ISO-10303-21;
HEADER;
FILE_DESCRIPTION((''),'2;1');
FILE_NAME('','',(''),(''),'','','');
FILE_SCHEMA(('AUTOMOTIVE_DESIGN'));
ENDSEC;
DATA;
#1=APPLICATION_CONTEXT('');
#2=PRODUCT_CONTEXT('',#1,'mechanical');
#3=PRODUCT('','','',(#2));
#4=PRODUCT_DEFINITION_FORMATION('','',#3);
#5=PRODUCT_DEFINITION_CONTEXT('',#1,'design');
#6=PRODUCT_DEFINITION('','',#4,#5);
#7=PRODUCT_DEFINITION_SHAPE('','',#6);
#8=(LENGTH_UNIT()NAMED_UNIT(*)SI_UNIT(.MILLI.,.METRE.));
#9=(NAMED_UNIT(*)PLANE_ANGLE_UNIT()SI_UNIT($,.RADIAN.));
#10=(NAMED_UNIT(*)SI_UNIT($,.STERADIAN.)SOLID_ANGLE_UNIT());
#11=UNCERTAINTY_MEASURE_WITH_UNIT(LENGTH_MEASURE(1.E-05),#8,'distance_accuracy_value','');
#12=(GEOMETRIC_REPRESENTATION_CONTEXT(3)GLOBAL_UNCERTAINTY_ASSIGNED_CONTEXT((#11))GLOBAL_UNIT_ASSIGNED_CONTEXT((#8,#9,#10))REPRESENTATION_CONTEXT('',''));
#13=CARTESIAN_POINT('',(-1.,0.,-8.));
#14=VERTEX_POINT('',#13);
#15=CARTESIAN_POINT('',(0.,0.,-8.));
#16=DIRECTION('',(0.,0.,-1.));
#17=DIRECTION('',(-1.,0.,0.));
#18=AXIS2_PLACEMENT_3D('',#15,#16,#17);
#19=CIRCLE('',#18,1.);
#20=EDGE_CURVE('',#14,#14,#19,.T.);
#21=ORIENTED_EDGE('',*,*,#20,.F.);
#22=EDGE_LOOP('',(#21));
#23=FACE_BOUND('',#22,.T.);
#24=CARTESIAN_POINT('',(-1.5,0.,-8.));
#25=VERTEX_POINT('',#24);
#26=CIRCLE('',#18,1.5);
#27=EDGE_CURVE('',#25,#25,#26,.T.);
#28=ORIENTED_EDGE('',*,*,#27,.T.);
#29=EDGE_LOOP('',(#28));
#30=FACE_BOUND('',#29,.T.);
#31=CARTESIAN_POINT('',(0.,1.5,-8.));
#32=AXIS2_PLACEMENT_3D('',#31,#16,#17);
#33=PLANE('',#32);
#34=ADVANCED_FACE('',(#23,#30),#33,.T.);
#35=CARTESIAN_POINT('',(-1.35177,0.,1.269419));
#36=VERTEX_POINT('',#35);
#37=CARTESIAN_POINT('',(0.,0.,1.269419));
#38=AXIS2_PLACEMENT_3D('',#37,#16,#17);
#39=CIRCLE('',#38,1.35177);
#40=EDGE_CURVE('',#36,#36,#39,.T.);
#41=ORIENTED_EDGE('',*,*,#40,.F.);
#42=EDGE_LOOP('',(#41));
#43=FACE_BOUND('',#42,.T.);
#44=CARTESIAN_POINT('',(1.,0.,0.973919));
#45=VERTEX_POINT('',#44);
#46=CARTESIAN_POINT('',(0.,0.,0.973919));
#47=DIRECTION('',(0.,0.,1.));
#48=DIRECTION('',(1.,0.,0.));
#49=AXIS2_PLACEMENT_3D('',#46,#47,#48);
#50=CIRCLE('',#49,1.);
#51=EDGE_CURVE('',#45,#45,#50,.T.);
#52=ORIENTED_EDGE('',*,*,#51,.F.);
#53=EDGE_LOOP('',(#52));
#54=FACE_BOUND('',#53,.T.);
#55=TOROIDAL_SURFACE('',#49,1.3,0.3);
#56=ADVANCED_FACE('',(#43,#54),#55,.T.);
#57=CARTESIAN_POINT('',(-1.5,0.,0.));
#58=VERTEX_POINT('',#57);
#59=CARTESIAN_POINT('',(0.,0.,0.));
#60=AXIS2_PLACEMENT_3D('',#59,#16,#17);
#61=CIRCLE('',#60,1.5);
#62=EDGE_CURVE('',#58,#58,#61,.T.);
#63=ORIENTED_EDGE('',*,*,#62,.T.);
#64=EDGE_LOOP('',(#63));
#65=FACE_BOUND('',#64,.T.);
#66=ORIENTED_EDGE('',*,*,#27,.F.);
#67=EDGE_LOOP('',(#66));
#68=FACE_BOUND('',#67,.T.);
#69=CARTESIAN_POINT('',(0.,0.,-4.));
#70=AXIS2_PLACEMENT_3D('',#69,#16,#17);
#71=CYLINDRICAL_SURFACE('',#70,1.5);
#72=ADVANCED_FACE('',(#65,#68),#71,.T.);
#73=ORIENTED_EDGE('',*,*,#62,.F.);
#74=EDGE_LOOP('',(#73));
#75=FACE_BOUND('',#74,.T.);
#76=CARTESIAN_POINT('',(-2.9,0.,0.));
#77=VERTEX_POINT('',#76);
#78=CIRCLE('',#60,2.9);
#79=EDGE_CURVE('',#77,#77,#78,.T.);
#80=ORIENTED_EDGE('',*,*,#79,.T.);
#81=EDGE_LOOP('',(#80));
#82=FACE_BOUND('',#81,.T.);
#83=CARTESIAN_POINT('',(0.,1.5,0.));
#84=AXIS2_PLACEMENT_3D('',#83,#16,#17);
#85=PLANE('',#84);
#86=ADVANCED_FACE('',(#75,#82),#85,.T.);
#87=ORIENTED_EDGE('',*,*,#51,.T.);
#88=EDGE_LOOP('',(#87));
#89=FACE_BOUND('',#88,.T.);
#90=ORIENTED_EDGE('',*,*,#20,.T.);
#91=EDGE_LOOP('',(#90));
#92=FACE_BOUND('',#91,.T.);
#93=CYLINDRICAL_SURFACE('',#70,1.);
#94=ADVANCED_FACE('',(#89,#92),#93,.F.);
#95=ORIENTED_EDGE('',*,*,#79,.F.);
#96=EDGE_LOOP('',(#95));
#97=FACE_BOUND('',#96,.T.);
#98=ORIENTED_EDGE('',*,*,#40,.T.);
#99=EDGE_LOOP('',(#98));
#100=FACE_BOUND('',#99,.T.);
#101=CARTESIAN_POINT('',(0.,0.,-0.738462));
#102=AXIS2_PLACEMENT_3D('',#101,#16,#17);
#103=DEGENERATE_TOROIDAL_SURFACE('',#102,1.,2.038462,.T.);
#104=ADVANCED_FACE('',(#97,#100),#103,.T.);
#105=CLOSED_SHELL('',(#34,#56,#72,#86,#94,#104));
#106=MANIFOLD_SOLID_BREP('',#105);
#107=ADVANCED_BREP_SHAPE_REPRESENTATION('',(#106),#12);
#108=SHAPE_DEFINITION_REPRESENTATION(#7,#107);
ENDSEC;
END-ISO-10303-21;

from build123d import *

# Parameters (mm, degrees)
FILLET_528_R = 0.3


with BuildPart() as part:
    # 草图1 → 旋转1 (revolve)
    with BuildSketch(Plane(origin=(0, 0, 0), x_dir=(0, 0, -1), z_dir=(1, 0, 0)), mode=Mode.PRIVATE) as revolve_1_sk:
        with BuildLine():
            Line((0, 1.5), (0, 2.9))
            ThreePointArc((0, 2.9), (-0.943895571, 2.151086443), (-1.3, 1))
            Line((-1.3, 1), (8, 1))
            Line((8, 1), (8, 1.5))
            Line((8, 1.5), (0, 1.5))
        make_face()
    revolve(revolve_1_sk.sketch.rotate(Axis((0, 0, -4), (0, 0, 1)), 90), axis=Axis((0, 0, -4), (0, 0, 1)))

    # Fillet 528
    fillet_528_edges = [part.edges().sort_by_distance(p)[0] for p in [
        (1, 0, 1.3),
    ]]
    fillet(fillet_528_edges, radius=FILLET_528_R)


solid = part.part
